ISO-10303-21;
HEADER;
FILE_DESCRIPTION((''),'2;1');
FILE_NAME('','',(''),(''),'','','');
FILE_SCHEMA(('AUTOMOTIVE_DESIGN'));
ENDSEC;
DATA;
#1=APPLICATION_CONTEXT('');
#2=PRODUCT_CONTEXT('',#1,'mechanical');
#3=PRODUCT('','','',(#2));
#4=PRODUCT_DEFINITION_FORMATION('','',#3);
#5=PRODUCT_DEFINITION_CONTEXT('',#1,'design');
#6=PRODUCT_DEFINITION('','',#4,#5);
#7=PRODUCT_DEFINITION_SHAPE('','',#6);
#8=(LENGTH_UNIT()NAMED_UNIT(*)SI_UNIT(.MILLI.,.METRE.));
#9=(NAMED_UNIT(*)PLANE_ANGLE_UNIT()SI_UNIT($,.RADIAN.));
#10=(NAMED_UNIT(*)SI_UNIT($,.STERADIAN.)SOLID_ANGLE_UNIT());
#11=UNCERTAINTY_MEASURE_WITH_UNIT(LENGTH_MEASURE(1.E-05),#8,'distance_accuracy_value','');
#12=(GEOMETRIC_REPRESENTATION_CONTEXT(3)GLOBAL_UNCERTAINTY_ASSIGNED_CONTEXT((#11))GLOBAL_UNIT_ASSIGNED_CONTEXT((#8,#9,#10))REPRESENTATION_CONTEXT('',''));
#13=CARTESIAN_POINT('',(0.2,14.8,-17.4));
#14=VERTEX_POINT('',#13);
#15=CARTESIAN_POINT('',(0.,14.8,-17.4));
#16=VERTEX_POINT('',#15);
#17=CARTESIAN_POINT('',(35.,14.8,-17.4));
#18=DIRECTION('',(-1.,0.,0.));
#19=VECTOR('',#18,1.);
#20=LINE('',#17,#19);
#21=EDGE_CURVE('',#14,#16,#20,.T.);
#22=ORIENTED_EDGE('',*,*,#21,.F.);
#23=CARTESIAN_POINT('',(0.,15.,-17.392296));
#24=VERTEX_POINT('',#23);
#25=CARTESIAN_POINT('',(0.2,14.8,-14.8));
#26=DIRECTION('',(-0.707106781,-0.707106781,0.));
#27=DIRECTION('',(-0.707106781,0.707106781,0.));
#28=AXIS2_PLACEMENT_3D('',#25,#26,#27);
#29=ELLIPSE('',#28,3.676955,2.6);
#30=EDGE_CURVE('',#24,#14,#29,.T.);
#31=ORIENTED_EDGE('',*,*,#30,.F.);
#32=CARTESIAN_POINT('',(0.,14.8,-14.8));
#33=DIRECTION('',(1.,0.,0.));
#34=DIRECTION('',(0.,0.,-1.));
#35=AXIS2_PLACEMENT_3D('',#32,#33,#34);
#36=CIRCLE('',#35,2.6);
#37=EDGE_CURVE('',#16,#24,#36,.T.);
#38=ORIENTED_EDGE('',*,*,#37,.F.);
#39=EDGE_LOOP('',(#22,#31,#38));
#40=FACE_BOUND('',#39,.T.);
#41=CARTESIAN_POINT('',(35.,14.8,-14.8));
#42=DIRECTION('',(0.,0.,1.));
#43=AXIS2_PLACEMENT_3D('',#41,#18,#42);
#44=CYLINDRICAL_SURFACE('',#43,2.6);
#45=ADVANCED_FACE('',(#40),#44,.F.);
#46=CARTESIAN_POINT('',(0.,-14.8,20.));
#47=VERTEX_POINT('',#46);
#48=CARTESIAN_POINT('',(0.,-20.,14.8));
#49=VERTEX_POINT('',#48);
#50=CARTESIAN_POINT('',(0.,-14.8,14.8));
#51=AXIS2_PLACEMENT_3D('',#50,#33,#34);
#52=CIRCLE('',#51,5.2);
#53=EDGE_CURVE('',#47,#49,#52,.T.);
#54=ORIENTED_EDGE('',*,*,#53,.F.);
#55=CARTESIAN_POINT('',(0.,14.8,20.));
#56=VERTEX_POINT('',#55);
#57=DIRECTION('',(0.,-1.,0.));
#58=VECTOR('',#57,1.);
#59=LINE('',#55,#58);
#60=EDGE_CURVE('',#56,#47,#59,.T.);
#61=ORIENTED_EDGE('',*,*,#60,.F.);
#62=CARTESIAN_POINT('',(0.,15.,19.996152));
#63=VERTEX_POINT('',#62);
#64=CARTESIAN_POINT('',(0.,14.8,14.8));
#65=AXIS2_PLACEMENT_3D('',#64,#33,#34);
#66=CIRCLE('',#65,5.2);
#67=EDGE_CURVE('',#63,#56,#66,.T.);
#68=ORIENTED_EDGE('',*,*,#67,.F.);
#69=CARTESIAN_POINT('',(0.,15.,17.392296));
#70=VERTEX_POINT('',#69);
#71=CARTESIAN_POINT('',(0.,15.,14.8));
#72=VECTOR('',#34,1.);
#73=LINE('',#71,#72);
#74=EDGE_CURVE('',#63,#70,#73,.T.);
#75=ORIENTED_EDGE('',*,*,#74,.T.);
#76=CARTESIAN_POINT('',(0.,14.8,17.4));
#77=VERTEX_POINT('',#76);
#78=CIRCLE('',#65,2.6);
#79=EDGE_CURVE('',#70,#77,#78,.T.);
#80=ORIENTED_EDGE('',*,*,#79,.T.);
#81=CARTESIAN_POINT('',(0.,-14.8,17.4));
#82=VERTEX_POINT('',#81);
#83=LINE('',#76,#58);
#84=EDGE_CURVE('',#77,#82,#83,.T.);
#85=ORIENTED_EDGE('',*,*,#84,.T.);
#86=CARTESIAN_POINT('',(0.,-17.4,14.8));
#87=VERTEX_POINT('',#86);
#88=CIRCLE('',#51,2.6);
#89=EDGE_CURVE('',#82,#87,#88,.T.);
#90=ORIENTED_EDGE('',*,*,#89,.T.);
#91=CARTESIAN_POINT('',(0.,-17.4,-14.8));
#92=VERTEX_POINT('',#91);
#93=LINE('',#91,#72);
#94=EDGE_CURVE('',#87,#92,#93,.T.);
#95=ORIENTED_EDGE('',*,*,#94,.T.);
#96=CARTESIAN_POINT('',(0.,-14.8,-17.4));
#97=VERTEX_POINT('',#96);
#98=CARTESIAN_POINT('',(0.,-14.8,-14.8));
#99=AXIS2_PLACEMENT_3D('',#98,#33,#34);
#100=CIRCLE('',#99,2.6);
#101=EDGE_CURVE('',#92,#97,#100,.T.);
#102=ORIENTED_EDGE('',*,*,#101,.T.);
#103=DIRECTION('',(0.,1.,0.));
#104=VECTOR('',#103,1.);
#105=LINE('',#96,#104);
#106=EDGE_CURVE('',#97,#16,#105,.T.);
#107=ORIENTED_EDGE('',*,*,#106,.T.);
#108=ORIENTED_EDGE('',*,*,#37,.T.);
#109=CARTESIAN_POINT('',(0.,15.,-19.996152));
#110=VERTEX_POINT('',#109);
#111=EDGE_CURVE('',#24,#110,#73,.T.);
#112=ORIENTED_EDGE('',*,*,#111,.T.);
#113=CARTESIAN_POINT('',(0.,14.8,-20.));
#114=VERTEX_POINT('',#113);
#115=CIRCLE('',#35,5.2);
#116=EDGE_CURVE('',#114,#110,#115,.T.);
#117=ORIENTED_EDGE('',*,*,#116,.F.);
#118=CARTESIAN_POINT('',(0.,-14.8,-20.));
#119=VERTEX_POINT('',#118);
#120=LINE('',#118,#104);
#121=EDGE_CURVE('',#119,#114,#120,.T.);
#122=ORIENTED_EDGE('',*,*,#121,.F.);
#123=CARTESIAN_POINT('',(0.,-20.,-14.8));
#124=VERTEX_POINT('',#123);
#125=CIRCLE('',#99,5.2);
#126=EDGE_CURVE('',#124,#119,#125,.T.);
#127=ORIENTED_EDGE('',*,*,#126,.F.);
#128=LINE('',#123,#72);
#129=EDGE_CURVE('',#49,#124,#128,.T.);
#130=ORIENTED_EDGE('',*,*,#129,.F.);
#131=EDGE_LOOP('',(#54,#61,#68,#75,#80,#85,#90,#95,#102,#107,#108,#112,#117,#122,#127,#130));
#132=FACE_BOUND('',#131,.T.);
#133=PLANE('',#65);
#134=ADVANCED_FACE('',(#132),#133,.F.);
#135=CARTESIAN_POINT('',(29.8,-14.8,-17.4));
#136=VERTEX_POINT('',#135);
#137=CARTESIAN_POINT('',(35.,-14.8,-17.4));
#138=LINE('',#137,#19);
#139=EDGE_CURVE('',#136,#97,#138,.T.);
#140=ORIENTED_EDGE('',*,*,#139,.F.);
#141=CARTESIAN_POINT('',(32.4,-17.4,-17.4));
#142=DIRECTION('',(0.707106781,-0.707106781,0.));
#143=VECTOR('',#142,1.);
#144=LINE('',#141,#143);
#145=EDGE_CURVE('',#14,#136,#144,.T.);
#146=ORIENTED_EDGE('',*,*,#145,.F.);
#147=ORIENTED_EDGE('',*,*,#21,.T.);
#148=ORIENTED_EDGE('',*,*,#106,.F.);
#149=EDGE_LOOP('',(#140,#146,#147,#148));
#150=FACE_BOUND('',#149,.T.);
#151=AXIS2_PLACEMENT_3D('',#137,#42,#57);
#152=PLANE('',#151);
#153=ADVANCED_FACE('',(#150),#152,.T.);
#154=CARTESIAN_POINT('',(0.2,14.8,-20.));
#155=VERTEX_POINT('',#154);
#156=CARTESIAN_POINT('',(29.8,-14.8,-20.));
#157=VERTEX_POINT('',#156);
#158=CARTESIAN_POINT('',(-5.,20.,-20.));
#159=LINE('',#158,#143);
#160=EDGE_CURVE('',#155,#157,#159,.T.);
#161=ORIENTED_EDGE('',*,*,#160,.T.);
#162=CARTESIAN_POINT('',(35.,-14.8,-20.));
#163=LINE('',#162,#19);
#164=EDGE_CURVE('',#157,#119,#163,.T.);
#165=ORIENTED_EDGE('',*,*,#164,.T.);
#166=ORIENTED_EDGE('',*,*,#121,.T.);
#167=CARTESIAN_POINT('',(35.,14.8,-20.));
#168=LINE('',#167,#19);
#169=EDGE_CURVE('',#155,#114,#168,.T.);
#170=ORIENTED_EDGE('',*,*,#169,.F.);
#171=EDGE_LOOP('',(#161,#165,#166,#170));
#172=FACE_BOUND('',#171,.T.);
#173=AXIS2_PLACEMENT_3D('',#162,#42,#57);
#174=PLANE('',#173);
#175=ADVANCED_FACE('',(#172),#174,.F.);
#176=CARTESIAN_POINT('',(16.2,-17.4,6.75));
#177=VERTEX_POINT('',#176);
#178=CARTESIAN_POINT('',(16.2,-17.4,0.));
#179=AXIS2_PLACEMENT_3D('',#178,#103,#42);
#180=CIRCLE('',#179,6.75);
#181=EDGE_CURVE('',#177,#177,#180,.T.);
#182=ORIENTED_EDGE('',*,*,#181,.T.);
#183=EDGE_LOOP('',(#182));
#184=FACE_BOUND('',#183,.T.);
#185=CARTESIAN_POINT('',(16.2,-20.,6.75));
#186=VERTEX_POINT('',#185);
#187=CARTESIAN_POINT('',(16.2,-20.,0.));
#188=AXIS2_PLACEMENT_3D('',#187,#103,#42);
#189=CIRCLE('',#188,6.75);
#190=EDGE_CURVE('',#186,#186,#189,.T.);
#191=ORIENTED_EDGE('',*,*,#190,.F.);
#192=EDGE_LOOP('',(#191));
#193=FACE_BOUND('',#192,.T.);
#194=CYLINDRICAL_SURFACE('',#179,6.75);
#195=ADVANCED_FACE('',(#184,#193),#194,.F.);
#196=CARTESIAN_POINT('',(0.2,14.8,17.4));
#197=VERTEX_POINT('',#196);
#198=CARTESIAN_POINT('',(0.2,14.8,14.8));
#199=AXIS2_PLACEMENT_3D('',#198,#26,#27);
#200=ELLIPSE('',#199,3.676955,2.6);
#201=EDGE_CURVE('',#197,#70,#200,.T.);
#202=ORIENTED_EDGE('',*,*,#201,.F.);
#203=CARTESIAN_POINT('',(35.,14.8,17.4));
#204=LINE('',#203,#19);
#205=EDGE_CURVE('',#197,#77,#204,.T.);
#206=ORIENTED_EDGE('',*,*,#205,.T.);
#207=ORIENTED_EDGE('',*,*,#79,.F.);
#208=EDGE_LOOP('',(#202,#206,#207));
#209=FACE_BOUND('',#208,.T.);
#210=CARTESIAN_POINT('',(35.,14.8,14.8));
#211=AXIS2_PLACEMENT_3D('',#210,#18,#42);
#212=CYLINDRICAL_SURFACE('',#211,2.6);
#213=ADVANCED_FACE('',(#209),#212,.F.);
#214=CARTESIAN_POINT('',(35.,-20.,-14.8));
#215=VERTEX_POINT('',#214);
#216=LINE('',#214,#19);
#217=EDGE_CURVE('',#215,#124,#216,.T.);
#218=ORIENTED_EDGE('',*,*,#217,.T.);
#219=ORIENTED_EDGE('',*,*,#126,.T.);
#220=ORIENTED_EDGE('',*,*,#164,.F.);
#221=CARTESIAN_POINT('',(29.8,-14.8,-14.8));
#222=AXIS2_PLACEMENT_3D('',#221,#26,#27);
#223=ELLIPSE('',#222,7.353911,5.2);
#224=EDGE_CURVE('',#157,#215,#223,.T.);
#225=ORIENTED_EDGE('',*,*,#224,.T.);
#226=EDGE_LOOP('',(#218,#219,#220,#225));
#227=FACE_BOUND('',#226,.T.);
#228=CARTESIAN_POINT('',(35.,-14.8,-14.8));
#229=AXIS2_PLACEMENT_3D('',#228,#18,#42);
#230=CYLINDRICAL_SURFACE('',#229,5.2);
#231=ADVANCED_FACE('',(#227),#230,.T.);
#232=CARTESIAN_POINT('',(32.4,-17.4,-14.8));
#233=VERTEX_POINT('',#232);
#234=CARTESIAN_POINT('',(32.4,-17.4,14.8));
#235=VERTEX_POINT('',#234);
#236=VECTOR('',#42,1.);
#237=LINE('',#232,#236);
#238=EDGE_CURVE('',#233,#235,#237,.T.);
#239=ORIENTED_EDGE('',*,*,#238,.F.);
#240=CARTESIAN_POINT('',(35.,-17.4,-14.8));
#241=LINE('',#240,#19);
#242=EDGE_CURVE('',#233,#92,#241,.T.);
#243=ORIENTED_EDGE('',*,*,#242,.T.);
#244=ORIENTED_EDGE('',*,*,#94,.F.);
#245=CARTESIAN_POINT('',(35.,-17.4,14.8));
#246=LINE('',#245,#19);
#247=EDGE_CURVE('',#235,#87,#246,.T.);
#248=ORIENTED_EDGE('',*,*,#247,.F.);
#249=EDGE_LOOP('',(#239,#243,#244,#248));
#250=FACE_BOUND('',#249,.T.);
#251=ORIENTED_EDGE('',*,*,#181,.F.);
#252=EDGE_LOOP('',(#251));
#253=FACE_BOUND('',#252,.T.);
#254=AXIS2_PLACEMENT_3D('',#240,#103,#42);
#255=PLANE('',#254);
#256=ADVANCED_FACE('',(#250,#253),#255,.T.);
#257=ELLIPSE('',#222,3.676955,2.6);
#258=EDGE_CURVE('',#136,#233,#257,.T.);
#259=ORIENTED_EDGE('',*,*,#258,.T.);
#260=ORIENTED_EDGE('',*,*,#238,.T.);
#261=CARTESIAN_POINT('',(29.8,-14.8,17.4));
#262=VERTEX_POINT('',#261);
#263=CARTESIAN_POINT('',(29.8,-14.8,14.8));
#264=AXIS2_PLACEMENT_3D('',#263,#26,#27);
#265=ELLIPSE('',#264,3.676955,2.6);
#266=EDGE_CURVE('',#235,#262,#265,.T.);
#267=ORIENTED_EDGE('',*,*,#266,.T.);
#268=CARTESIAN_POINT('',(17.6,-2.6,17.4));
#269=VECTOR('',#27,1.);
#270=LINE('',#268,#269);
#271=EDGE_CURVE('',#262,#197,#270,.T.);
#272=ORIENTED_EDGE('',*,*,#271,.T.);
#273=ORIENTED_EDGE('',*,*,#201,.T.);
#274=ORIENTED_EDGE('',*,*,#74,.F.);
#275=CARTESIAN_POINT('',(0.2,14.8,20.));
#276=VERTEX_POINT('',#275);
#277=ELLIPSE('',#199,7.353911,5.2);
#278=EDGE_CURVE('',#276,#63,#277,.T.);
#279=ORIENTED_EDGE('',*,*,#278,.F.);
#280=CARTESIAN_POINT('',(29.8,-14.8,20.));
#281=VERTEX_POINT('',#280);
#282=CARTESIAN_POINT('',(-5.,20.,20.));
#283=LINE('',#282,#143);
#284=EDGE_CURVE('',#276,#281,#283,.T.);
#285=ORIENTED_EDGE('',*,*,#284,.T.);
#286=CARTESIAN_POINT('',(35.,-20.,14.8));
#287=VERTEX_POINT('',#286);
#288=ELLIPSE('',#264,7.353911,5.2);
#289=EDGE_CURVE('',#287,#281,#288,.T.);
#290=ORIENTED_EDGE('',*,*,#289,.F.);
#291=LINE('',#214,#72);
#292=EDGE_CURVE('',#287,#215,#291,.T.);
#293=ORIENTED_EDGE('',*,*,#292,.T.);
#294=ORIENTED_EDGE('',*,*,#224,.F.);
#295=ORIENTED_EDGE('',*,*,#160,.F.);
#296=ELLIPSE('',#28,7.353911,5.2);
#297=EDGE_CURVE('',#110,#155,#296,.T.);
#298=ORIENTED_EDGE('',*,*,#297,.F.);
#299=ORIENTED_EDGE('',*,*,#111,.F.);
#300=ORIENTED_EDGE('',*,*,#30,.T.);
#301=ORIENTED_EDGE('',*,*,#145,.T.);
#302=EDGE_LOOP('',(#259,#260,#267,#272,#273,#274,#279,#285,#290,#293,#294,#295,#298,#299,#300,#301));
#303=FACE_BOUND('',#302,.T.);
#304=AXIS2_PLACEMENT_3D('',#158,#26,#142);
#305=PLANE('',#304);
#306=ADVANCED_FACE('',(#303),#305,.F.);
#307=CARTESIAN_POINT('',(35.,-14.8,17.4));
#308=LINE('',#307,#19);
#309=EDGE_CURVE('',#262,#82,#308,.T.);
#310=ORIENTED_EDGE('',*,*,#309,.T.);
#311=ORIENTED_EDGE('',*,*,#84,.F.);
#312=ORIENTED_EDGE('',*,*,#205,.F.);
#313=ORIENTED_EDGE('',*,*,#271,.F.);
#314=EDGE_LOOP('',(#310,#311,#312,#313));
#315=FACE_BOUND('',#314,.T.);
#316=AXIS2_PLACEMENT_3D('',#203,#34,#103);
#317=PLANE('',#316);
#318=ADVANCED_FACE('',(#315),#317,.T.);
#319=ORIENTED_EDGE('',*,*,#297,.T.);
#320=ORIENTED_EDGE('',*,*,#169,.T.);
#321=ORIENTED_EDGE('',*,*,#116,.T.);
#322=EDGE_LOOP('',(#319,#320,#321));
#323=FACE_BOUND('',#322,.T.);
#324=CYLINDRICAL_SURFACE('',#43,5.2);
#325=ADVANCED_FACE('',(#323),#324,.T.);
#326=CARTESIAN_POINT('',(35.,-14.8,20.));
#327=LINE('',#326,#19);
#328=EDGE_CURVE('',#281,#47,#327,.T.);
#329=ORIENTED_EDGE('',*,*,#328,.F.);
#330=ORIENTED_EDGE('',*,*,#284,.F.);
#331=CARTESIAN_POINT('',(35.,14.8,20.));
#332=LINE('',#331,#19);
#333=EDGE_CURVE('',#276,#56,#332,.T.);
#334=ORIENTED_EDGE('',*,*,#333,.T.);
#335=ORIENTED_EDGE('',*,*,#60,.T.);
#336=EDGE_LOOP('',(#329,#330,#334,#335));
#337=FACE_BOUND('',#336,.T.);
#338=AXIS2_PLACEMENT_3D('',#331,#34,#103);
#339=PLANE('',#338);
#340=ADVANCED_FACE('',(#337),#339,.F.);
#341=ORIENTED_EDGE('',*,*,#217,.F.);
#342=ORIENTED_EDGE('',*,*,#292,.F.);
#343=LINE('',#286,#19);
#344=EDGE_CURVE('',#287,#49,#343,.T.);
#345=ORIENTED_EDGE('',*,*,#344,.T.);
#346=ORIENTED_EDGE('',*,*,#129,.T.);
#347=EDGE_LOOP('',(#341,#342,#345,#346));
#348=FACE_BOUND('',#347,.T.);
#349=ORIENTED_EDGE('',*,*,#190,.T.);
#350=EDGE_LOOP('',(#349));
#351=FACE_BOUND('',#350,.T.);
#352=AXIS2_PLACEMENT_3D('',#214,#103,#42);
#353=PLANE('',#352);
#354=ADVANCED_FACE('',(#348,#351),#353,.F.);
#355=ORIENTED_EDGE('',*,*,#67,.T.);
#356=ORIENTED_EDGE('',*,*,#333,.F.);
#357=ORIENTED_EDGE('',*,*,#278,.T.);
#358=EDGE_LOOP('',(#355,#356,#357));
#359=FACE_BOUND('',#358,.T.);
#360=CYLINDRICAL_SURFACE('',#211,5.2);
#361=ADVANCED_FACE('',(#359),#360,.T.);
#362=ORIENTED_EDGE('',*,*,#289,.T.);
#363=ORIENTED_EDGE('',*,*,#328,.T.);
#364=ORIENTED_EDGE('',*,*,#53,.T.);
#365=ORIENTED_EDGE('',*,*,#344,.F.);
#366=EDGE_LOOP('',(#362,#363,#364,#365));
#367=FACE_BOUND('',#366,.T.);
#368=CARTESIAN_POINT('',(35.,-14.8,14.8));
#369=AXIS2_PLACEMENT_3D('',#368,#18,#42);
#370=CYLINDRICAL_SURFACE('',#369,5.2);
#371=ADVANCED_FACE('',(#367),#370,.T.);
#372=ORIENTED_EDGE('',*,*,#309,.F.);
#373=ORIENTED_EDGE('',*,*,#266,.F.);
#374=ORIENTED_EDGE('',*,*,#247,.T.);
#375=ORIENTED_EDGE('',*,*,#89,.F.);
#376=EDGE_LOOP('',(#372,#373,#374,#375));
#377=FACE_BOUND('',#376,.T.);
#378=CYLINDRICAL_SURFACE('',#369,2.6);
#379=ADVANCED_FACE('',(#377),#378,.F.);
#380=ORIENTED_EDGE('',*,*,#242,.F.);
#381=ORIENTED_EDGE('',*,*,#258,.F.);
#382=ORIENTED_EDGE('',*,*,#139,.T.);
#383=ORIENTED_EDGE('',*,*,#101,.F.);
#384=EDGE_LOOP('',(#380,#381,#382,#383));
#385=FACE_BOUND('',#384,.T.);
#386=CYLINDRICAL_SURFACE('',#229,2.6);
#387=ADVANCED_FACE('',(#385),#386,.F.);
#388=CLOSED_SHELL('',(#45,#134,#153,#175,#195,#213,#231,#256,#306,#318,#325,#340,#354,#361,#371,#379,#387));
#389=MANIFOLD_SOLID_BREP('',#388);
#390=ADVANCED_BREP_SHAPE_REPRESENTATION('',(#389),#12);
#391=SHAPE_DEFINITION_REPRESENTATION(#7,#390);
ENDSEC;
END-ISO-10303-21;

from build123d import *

# Parameters (mm, degrees)
TUBE_SQUARE_40_X_40_X_2_6_1_DEPTH = 35
CUT_EXTRUDE1_DEPTH                = 57.789083458
M12_CLEARANCE_HOLE1_D             = 13.5
M12_CLEARANCE_HOLE1_DEPTH         = 3.15
M12_CLEARANCE_HOLE1_TIP           = 4.055809178


with BuildPart() as part:
    # Sketch11 → Tube (square) 40 X 40 X 2.6(1) (new body)
    with BuildSketch(Plane.YZ):
        with BuildLine():
            Line((-14.8, -20), (14.8, -20))
            ThreePointArc((14.8, -20), (18.476955262, -18.476955262), (20, -14.8))
            Line((20, -14.8), (20, 14.8))
            ThreePointArc((20, 14.8), (18.476955262, 18.476955262), (14.8, 20))
            Line((14.8, 20), (-14.8, 20))
            ThreePointArc((-14.8, 20), (-18.476955262, 18.476955262), (-20, 14.8))
            Line((-20, 14.8), (-20, -14.8))
            ThreePointArc((-20, -14.8), (-18.476955262, -18.476955262), (-14.8, -20))
        make_face()
        with BuildLine():
            Line((-14.8, -17.4), (14.8, -17.4))
            ThreePointArc((14.8, -17.4), (16.638477631, -16.638477631), (17.4, -14.8))
            Line((17.4, -14.8), (17.4, 14.8))
            ThreePointArc((17.4, 14.8), (16.638477631, 16.638477631), (14.8, 17.4))
            Line((14.8, 17.4), (-14.8, 17.4))
            ThreePointArc((-14.8, 17.4), (-16.638477631, 16.638477631), (-17.4, 14.8))
            Line((-17.4, 14.8), (-17.4, -14.8))
            ThreePointArc((-17.4, -14.8), (-16.638477631, -16.638477631), (-14.8, -17.4))
        make_face(mode=Mode.SUBTRACT)
    extrude(amount=TUBE_SQUARE_40_X_40_X_2_6_1_DEPTH)

    # Sketch13 → Cut-Extrude1 (cut, through all)
    with BuildSketch(Plane.XY.offset(20)):
        Polygon((-5, 20), (35, -20), (35, 20), align=None)
    extrude(amount=-CUT_EXTRUDE1_DEPTH, mode=Mode.SUBTRACT)

    # M12 Clearance Hole1
    with Locations(Plane(origin=(0, -17.4, 0), x_dir=(1, 0, 0), z_dir=(0, 1, 0))):
        with Locations((16.2, 0)):
            Hole(M12_CLEARANCE_HOLE1_D / 2, depth=M12_CLEARANCE_HOLE1_DEPTH)
            with Locations((0, 0, -(M12_CLEARANCE_HOLE1_DEPTH + M12_CLEARANCE_HOLE1_TIP / 2))):  # 118° drill point
                Cone(0, M12_CLEARANCE_HOLE1_D / 2, M12_CLEARANCE_HOLE1_TIP, mode=Mode.SUBTRACT)


solid = part.part
